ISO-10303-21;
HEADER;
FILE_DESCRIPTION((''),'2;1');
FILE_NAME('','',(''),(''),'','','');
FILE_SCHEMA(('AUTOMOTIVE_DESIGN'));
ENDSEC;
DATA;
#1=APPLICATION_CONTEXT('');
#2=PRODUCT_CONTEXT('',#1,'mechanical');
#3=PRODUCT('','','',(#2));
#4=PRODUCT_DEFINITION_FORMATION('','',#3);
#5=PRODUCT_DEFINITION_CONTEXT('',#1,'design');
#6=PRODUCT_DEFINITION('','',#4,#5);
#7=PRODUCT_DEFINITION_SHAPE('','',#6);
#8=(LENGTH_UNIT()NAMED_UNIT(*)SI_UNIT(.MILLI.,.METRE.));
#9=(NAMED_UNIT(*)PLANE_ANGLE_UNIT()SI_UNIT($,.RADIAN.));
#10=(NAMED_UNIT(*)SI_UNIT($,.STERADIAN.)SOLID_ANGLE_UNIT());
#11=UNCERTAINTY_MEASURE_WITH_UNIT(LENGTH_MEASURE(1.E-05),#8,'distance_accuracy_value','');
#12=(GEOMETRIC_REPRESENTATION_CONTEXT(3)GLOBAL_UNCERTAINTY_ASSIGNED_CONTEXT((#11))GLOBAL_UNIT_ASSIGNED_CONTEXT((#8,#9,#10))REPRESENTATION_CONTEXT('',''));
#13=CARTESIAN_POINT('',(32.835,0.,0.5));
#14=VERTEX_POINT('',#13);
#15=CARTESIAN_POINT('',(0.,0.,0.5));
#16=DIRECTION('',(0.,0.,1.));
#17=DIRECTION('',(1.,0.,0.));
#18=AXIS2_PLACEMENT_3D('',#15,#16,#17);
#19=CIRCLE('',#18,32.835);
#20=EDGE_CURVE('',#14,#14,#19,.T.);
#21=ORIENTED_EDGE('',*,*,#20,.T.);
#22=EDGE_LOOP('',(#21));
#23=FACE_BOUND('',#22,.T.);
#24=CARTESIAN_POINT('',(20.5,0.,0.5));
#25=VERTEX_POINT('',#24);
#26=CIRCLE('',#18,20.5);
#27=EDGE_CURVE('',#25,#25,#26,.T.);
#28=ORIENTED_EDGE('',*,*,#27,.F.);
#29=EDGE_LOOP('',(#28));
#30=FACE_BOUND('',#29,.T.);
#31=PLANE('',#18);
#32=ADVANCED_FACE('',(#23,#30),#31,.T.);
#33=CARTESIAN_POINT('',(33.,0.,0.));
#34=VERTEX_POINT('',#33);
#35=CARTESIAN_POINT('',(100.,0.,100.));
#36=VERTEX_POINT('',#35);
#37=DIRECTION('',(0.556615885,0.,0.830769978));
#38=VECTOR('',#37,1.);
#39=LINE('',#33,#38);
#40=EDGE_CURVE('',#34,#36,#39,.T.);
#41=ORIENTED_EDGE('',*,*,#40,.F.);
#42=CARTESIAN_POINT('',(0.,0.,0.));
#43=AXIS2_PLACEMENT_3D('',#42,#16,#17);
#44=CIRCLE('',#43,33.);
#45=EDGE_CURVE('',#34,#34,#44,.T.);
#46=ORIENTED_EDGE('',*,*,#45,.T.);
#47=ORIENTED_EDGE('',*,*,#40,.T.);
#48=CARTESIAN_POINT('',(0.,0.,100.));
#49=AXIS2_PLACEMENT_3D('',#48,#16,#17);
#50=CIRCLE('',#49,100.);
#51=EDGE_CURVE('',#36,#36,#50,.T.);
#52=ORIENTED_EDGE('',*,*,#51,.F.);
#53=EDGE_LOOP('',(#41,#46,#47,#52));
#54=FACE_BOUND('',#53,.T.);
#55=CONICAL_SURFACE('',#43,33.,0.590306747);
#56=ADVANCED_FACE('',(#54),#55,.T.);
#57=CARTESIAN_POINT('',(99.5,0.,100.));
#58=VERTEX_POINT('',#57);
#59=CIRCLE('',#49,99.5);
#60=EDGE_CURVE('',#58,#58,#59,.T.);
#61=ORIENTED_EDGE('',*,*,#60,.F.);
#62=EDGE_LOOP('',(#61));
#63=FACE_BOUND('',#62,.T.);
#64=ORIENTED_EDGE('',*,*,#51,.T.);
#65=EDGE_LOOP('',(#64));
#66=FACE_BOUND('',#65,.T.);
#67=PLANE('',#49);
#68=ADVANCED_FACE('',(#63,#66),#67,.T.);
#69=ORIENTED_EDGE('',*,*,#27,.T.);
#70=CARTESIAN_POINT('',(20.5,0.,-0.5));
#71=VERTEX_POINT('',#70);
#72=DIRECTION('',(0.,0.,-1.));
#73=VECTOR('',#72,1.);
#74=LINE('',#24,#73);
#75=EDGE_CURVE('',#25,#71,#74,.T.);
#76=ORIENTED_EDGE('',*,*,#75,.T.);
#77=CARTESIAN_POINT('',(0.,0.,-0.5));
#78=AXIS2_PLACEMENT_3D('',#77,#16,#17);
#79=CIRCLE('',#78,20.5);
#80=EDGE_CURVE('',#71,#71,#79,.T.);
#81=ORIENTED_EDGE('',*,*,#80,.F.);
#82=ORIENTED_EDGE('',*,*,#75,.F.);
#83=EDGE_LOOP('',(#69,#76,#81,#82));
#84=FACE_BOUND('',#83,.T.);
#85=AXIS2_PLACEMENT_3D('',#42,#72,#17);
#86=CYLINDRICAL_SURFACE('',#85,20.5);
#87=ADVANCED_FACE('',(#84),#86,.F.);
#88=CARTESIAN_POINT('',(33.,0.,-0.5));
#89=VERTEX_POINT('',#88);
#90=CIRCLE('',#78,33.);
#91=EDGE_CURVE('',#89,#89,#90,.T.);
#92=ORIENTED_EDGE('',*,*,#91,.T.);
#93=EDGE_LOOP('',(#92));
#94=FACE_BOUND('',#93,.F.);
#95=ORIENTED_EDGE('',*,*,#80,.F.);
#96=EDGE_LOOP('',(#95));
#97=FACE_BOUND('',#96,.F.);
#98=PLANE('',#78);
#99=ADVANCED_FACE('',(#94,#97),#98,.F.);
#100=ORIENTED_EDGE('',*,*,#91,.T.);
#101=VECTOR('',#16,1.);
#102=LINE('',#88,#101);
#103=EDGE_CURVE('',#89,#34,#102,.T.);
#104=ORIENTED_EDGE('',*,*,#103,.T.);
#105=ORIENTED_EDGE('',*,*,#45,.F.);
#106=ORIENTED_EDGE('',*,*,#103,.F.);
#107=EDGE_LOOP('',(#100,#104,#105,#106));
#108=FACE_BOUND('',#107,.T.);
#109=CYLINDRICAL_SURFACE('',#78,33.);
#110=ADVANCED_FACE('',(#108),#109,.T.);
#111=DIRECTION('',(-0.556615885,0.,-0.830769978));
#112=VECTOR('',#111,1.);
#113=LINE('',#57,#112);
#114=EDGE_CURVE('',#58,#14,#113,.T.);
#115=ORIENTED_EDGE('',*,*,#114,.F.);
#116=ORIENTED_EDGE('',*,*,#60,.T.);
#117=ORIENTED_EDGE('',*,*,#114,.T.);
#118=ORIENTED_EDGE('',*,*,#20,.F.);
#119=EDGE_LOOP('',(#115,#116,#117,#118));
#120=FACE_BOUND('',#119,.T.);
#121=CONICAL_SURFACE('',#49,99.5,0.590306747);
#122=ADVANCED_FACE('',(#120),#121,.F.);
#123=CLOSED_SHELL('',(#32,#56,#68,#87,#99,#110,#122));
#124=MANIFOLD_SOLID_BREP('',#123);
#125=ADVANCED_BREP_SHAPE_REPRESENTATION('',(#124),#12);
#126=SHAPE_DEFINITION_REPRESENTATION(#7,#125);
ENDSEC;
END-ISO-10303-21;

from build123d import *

# Parameters (mm, degrees)
F1_W     = 0.5
F1_H     = 0.5
F0_R     = 32.5
F0_R_2   = 20.5
F3_DEPTH = 0.5


with BuildPart() as f2:
    # F1 (on Front) → F2 (revolve)
    with BuildSketch(Plane.XZ):
        Polygon((32.5, 0.5), (32.5, 0), (32.835, 0.5), align=None)
        Polygon((32.835, 0.5), (32.5, 0), (33, 0), (33, 0.5), align=None)
        with Locations((32.75, -0.25)):
            Rectangle(F1_W, F1_H)
        Polygon((99.5, 100), (32.835, 0.5), (33, 0.5), (33, 0), (100, 100), align=None)
    revolve(axis=Axis((0, 0, 0), (0, 0, 1)))

    # F0 (on Top) → F3 (join, symmetric)
    with BuildSketch(Plane.XY):
        Circle(F0_R)
        Circle(F0_R_2, mode=Mode.SUBTRACT)
    extrude(amount=F3_DEPTH, both=True)


solid = f2.part
